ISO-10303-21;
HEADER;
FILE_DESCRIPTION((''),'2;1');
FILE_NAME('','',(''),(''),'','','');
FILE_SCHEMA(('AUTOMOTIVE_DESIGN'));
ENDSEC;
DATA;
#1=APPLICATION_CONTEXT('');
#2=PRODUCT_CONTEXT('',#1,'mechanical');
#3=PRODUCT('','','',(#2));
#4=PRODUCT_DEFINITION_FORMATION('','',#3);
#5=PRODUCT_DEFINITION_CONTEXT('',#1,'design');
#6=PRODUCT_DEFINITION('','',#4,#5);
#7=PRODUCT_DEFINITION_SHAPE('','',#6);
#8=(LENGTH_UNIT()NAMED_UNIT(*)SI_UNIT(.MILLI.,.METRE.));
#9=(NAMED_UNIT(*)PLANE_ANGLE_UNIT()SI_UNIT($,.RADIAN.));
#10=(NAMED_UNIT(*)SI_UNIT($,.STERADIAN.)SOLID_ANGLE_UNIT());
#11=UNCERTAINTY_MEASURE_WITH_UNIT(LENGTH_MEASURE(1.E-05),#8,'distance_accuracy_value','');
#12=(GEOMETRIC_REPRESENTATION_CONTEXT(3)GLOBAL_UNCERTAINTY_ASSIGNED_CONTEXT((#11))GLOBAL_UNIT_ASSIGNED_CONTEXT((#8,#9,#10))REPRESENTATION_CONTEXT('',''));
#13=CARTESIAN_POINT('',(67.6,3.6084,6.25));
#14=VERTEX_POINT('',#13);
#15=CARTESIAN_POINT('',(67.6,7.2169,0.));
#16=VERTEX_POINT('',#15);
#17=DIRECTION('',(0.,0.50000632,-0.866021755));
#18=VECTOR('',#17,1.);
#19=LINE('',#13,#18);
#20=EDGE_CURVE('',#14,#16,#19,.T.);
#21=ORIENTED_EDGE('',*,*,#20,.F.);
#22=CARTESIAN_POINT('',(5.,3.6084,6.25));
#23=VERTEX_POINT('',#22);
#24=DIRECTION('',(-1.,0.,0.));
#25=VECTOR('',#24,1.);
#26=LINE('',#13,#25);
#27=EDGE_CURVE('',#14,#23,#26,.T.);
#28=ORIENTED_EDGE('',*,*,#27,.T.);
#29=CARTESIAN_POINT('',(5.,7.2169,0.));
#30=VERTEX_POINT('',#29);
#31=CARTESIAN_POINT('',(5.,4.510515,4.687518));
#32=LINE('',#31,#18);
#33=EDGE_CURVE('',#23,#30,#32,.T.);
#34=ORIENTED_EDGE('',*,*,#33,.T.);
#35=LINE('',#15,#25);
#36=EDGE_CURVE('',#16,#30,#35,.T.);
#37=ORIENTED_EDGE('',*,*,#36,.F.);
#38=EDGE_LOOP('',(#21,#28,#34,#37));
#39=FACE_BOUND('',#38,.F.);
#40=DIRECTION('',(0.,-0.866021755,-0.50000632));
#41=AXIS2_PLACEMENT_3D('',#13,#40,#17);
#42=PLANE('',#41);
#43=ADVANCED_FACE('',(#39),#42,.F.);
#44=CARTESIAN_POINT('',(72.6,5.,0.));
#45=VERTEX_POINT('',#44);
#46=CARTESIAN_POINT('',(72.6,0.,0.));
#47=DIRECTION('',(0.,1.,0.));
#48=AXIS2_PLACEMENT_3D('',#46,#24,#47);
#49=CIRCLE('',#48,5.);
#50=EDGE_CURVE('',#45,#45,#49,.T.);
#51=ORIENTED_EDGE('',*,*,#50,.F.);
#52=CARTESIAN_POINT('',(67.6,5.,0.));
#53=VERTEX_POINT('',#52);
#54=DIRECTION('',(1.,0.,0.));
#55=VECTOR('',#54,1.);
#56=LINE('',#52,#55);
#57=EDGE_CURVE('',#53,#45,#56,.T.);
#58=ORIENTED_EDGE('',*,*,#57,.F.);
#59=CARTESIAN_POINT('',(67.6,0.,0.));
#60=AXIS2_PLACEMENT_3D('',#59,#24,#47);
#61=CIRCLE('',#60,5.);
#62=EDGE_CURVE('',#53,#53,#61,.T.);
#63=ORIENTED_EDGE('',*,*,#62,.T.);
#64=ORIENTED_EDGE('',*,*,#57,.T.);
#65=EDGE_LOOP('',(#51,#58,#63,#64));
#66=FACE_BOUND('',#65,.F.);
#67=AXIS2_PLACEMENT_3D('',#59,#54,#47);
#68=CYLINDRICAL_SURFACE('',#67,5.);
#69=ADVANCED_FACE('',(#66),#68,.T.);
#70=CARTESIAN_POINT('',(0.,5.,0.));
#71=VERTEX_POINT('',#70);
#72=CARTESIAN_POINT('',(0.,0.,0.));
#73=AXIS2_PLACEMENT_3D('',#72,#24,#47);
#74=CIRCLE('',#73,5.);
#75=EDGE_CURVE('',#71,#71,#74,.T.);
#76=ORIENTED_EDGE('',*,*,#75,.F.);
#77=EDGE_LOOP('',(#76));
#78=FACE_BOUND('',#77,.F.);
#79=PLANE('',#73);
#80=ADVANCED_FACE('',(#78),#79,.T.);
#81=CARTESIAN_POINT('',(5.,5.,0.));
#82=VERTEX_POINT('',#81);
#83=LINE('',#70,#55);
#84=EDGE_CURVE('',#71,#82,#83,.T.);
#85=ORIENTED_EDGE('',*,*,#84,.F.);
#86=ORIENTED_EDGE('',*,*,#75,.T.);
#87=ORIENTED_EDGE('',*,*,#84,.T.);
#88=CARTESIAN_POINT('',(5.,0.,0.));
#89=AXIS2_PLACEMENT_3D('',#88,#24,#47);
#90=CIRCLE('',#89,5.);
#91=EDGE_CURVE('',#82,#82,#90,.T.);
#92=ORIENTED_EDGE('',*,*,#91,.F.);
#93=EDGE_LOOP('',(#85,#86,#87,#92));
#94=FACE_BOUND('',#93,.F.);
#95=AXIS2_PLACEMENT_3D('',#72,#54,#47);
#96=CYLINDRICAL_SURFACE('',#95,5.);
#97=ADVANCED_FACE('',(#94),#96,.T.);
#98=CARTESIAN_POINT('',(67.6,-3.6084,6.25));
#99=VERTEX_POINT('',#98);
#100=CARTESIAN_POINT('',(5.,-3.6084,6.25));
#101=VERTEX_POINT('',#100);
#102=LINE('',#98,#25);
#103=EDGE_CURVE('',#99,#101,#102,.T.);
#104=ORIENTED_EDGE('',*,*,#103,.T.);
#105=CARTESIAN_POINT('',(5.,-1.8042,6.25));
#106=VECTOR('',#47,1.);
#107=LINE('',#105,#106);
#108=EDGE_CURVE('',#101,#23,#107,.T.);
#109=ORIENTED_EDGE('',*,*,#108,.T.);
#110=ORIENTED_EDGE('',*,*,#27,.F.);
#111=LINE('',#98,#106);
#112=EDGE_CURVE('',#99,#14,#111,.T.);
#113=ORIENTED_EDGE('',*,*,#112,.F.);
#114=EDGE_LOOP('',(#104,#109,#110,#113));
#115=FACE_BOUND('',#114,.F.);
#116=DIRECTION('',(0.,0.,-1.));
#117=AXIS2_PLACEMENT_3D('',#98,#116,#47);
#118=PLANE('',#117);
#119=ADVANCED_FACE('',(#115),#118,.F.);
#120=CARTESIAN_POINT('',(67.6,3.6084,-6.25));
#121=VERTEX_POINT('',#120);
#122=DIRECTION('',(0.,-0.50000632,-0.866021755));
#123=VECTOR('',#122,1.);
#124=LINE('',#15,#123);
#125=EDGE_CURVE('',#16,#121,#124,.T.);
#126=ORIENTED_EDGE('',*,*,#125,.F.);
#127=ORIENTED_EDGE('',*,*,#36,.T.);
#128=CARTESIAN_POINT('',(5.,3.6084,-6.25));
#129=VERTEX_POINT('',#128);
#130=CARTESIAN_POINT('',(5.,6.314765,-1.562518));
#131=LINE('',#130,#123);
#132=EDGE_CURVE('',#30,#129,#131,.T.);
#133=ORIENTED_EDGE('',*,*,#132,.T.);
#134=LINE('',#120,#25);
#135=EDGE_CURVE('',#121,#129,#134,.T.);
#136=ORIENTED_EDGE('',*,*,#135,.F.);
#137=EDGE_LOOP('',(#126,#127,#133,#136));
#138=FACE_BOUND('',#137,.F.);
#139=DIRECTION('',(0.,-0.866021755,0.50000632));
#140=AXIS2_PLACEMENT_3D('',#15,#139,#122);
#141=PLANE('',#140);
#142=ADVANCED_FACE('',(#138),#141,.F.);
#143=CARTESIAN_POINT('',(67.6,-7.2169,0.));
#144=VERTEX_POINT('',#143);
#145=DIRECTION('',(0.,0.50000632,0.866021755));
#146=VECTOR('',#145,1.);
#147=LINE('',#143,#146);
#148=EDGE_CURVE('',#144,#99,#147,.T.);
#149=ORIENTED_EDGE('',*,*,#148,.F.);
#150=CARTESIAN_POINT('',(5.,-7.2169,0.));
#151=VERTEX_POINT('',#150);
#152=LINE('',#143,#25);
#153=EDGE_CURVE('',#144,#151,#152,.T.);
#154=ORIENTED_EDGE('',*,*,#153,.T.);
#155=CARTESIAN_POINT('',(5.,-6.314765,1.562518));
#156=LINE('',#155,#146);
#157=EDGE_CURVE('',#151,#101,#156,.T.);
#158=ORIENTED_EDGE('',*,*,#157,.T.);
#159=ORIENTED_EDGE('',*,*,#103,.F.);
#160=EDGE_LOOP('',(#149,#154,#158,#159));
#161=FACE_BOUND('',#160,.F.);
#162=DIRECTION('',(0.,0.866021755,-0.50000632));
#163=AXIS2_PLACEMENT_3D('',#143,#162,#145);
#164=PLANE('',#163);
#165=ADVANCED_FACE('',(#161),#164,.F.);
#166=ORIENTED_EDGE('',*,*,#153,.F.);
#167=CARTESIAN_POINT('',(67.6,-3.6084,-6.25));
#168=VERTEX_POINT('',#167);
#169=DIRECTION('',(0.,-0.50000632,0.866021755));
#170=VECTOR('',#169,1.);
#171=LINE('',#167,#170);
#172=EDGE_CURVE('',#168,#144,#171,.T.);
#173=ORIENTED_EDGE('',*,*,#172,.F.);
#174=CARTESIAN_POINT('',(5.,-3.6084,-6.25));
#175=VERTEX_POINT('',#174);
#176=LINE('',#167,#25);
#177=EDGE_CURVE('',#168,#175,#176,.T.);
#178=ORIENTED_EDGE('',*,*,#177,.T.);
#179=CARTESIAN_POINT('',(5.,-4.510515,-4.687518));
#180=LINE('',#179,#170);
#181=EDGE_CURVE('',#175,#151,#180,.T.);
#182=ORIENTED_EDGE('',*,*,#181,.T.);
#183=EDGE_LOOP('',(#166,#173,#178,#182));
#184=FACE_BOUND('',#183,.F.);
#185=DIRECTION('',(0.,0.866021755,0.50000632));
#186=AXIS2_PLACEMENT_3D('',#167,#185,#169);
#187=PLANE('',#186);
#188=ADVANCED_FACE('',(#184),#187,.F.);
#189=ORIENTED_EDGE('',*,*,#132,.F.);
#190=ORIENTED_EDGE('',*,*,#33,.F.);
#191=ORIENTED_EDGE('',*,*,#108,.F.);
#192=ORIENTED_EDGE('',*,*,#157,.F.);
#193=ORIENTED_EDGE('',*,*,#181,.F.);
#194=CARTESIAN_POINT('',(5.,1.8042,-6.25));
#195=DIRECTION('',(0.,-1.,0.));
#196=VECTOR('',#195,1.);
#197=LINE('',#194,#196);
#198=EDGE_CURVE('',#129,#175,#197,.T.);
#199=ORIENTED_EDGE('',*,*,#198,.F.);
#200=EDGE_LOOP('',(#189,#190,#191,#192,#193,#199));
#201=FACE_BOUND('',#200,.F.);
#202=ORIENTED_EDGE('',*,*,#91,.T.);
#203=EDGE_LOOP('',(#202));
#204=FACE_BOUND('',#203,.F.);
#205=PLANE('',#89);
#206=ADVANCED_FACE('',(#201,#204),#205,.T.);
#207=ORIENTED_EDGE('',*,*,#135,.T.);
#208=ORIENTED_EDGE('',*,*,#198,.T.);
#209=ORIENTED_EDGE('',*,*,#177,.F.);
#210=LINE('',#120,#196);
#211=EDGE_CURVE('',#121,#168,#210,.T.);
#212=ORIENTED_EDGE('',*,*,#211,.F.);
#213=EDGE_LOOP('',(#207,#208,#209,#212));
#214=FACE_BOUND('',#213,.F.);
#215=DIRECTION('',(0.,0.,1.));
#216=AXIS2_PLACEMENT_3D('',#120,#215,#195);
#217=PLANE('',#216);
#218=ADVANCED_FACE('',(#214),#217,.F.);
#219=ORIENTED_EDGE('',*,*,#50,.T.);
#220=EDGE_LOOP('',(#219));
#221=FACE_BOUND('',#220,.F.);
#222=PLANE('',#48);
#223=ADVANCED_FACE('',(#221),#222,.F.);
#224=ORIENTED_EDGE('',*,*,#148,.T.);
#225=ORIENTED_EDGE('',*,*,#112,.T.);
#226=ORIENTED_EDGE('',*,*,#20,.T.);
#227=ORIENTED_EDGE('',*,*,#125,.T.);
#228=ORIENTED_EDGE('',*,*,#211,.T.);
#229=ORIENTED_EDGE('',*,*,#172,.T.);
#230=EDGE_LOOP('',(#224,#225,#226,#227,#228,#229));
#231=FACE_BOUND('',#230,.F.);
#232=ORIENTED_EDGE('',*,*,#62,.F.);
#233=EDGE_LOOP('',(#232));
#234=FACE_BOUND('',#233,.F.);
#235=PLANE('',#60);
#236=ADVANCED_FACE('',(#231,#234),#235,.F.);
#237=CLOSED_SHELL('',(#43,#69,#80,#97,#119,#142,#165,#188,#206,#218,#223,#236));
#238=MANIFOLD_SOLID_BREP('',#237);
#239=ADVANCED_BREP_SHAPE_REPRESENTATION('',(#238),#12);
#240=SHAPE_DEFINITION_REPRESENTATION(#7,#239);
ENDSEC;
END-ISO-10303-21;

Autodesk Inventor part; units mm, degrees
ref_plane "YZ Plane" through (0, 0, 0) normal (1, 0, 0) x (0, 1, 0)
ref_plane "XZ Plane" through (0, 0, 0) normal (0, 1, 0) x (-1, 0, 0)
ref_plane "XY Plane" through (0, 0, 0) normal (0, 0, 1) x (1, 0, 0)
sketch "Sketch1" plane through (0, 0, 0) normal (0, 0, 1) x (1, 0, 0)
  line L0 (0, 0) -> (0, 5)
  line L1 (0, 5) -> (5, 5)
  line L2 (5, 5) -> (5, 15)
  line L3 (5, 15) -> (67.6, 15)
  line L4 (67.6, 15) -> (67.6, 5)
  line L5 (67.6, 5) -> (72.6, 5)
  line L6 (72.6, 5) -> (72.6, 0)
  line L7 (72.6, 0) -> (0, 0)
  dimension "d0" = 5
  dimension "d1" = 15
  dimension "d2" = 5
  dimension "d3" = 5
  dimension "d4" = 62.6
revolve "Revolution1" add sketch "Sketch1" angle 360 about axis through (72.6, 0, 0) along (-1, 0, 0)
sketch "Sketch2" plane through (67.6, 0, 0) normal (1, 0, 0) x (0, 0, -1)
  line L0 (0, 7.2169) -> (6.25, 3.6084)
  line L1 (6.25, 3.6084) -> (6.25, -3.6084)
  line L2 (6.25, -3.6084) -> (0, -7.2169)
  line L3 (0, -7.2169) -> (-6.25, -3.6084)
  line L4 (-6.25, -3.6084) -> (-6.25, 3.6084)
  line L5 (-6.25, 3.6084) -> (0, 7.2169)
  circle A0 centre (0, 0) radius 15 projected
  dimension "d6" = 12.5
extrude "Extrusion1" cut sketch "Sketch2" against normal through all
properties part number "Shaft Jr" material "Steel, Mild"
